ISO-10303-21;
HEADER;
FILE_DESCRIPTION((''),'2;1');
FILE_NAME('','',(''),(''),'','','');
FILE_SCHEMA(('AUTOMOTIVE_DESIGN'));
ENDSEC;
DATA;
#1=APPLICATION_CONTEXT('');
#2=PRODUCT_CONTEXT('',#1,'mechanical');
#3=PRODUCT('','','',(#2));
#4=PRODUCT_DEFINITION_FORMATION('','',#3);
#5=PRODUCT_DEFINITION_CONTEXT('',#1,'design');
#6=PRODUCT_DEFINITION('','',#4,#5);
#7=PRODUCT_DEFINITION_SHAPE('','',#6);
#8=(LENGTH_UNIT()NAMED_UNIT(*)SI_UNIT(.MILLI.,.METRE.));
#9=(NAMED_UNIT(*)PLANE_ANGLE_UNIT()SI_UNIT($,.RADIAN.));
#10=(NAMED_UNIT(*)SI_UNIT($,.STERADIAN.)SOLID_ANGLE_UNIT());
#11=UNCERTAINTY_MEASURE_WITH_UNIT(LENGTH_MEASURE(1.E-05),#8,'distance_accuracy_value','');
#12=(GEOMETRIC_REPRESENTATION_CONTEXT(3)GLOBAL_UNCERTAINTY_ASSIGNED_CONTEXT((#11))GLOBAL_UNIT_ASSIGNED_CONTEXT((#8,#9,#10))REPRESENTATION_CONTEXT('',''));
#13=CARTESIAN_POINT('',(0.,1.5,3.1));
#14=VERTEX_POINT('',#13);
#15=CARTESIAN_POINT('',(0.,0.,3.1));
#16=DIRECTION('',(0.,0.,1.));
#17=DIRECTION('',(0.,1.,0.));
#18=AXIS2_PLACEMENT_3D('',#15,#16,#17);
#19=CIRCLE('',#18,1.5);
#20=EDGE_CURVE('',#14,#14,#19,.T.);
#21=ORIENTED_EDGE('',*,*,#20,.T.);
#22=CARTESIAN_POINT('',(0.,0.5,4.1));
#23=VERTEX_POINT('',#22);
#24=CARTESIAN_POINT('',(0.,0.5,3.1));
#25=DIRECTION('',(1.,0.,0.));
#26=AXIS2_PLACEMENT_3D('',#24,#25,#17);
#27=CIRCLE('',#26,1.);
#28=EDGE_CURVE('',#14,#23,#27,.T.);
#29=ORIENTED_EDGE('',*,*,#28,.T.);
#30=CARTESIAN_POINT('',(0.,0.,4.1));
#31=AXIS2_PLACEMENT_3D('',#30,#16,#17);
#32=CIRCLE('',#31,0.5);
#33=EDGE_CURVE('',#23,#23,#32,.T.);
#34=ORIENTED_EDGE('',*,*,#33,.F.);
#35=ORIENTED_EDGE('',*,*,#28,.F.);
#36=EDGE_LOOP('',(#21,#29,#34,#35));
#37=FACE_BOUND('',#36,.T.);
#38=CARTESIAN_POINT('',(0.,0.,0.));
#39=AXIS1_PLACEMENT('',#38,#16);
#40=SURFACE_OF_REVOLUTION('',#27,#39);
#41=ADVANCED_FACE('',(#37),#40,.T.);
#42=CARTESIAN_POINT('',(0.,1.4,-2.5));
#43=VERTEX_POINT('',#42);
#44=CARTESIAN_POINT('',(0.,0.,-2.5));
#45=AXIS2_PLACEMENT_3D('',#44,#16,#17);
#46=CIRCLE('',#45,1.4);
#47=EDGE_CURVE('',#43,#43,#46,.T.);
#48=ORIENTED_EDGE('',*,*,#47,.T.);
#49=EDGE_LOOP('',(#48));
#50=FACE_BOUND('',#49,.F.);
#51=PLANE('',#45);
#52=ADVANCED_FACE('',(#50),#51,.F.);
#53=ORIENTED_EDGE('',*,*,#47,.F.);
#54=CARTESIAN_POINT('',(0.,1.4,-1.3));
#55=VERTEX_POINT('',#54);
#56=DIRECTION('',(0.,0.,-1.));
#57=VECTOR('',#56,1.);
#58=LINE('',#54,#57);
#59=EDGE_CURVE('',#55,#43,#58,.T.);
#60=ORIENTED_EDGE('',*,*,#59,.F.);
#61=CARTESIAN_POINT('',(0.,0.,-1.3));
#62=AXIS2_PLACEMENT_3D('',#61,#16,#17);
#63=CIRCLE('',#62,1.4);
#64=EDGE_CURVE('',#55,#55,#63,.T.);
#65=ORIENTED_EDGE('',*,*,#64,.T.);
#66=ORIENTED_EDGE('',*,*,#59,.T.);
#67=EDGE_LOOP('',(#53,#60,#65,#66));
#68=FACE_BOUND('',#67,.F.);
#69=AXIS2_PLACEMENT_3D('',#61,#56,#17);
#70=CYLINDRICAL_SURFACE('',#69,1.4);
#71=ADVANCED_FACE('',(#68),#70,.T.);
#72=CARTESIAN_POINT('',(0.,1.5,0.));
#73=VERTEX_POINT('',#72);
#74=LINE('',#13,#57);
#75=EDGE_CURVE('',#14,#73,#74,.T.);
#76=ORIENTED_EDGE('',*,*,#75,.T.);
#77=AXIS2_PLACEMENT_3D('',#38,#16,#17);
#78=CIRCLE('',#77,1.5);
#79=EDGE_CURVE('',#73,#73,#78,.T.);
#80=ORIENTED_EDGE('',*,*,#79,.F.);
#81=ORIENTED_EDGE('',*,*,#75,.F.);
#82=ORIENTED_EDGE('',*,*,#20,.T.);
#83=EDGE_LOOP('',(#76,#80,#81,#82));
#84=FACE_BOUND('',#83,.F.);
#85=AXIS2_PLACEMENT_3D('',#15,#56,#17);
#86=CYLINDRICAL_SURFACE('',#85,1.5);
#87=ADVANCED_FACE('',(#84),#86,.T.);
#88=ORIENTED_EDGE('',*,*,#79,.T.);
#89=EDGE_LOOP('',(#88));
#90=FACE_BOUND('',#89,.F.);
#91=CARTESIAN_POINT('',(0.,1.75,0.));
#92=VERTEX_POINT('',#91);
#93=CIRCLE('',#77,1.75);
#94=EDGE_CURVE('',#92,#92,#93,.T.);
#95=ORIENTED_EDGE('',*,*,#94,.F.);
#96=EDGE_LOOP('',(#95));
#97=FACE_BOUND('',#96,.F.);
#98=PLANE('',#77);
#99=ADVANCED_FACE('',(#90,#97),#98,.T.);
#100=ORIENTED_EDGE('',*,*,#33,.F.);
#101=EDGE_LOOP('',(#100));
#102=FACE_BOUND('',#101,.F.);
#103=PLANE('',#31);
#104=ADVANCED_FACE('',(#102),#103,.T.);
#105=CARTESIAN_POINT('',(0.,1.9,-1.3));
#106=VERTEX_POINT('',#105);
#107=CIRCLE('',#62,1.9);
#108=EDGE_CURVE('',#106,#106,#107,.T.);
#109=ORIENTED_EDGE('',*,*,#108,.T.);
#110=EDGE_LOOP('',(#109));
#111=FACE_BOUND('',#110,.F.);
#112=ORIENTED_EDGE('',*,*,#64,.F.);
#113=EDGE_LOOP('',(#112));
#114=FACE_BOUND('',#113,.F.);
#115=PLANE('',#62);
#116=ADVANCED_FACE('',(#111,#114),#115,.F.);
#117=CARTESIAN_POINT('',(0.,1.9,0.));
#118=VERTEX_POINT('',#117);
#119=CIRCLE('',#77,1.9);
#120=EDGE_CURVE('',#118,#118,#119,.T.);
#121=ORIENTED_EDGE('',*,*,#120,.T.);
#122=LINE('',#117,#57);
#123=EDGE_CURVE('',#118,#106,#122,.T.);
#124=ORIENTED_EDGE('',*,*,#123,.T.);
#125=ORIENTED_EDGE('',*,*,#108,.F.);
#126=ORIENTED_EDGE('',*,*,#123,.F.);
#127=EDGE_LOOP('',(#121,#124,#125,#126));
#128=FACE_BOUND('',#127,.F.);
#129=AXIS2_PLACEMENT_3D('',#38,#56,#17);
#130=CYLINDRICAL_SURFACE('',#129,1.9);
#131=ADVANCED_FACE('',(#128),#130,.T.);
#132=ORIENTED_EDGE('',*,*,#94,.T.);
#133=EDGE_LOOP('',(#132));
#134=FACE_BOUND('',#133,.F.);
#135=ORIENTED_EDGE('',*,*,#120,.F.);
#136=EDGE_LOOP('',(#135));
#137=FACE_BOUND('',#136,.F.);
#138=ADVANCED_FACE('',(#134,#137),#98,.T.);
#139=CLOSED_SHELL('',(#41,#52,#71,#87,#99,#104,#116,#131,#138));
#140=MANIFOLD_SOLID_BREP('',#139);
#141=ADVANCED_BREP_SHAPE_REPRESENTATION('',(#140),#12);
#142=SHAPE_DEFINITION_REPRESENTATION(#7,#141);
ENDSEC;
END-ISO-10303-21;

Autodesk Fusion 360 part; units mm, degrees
sketch "drawing" plane through (0, 0, 0) normal (1, 0, 0) x (0, 1, 0)
  line L0 (0, 4.1) -> (0.5, 4.1)
  line L1 (1.5, 3.1) -> (1.5, 0)
  line L2 (0, 0) -> (0, 4.1)
  line L3 (1.75, 0) -> (22.5, 0)
  line L4 (0, 1.75) -> (0, 22.5)
  arc A0 (1.5, 3.1) -> (0.5, 4.1) centre (0.5, 3.1) ccw
  line L5 (1.5, 0) -> (1.9, 0)
  line L6 (1.9, 0) -> (1.9, -1.3)
  line L7 (1.9, -1.3) -> (1.4, -1.3)
  line L8 (0, -1.3) -> (0, 0)
  line L9 (20, 0) -> (2.5, 0)
  line L10 (1.4, -1.3) -> (1.4, -2.5)
  line L11 (1.4, -2.5) -> (0, -2.5)
  line L12 (0, -2.5) -> (0, -1.3)
  dimension "d1" = 1.5
  dimension "d3" = 1
  dimension "d4" = 1.9
  dimension "d5" = 1.3
  dimension "d6" = 4.1
  dimension "d7" = 1.4
  dimension "d8" = 2.5
revolve "Revolve1" add sketch "drawing" angle 360 about axis through (0, 0, 0) along (0, 0, 1)
